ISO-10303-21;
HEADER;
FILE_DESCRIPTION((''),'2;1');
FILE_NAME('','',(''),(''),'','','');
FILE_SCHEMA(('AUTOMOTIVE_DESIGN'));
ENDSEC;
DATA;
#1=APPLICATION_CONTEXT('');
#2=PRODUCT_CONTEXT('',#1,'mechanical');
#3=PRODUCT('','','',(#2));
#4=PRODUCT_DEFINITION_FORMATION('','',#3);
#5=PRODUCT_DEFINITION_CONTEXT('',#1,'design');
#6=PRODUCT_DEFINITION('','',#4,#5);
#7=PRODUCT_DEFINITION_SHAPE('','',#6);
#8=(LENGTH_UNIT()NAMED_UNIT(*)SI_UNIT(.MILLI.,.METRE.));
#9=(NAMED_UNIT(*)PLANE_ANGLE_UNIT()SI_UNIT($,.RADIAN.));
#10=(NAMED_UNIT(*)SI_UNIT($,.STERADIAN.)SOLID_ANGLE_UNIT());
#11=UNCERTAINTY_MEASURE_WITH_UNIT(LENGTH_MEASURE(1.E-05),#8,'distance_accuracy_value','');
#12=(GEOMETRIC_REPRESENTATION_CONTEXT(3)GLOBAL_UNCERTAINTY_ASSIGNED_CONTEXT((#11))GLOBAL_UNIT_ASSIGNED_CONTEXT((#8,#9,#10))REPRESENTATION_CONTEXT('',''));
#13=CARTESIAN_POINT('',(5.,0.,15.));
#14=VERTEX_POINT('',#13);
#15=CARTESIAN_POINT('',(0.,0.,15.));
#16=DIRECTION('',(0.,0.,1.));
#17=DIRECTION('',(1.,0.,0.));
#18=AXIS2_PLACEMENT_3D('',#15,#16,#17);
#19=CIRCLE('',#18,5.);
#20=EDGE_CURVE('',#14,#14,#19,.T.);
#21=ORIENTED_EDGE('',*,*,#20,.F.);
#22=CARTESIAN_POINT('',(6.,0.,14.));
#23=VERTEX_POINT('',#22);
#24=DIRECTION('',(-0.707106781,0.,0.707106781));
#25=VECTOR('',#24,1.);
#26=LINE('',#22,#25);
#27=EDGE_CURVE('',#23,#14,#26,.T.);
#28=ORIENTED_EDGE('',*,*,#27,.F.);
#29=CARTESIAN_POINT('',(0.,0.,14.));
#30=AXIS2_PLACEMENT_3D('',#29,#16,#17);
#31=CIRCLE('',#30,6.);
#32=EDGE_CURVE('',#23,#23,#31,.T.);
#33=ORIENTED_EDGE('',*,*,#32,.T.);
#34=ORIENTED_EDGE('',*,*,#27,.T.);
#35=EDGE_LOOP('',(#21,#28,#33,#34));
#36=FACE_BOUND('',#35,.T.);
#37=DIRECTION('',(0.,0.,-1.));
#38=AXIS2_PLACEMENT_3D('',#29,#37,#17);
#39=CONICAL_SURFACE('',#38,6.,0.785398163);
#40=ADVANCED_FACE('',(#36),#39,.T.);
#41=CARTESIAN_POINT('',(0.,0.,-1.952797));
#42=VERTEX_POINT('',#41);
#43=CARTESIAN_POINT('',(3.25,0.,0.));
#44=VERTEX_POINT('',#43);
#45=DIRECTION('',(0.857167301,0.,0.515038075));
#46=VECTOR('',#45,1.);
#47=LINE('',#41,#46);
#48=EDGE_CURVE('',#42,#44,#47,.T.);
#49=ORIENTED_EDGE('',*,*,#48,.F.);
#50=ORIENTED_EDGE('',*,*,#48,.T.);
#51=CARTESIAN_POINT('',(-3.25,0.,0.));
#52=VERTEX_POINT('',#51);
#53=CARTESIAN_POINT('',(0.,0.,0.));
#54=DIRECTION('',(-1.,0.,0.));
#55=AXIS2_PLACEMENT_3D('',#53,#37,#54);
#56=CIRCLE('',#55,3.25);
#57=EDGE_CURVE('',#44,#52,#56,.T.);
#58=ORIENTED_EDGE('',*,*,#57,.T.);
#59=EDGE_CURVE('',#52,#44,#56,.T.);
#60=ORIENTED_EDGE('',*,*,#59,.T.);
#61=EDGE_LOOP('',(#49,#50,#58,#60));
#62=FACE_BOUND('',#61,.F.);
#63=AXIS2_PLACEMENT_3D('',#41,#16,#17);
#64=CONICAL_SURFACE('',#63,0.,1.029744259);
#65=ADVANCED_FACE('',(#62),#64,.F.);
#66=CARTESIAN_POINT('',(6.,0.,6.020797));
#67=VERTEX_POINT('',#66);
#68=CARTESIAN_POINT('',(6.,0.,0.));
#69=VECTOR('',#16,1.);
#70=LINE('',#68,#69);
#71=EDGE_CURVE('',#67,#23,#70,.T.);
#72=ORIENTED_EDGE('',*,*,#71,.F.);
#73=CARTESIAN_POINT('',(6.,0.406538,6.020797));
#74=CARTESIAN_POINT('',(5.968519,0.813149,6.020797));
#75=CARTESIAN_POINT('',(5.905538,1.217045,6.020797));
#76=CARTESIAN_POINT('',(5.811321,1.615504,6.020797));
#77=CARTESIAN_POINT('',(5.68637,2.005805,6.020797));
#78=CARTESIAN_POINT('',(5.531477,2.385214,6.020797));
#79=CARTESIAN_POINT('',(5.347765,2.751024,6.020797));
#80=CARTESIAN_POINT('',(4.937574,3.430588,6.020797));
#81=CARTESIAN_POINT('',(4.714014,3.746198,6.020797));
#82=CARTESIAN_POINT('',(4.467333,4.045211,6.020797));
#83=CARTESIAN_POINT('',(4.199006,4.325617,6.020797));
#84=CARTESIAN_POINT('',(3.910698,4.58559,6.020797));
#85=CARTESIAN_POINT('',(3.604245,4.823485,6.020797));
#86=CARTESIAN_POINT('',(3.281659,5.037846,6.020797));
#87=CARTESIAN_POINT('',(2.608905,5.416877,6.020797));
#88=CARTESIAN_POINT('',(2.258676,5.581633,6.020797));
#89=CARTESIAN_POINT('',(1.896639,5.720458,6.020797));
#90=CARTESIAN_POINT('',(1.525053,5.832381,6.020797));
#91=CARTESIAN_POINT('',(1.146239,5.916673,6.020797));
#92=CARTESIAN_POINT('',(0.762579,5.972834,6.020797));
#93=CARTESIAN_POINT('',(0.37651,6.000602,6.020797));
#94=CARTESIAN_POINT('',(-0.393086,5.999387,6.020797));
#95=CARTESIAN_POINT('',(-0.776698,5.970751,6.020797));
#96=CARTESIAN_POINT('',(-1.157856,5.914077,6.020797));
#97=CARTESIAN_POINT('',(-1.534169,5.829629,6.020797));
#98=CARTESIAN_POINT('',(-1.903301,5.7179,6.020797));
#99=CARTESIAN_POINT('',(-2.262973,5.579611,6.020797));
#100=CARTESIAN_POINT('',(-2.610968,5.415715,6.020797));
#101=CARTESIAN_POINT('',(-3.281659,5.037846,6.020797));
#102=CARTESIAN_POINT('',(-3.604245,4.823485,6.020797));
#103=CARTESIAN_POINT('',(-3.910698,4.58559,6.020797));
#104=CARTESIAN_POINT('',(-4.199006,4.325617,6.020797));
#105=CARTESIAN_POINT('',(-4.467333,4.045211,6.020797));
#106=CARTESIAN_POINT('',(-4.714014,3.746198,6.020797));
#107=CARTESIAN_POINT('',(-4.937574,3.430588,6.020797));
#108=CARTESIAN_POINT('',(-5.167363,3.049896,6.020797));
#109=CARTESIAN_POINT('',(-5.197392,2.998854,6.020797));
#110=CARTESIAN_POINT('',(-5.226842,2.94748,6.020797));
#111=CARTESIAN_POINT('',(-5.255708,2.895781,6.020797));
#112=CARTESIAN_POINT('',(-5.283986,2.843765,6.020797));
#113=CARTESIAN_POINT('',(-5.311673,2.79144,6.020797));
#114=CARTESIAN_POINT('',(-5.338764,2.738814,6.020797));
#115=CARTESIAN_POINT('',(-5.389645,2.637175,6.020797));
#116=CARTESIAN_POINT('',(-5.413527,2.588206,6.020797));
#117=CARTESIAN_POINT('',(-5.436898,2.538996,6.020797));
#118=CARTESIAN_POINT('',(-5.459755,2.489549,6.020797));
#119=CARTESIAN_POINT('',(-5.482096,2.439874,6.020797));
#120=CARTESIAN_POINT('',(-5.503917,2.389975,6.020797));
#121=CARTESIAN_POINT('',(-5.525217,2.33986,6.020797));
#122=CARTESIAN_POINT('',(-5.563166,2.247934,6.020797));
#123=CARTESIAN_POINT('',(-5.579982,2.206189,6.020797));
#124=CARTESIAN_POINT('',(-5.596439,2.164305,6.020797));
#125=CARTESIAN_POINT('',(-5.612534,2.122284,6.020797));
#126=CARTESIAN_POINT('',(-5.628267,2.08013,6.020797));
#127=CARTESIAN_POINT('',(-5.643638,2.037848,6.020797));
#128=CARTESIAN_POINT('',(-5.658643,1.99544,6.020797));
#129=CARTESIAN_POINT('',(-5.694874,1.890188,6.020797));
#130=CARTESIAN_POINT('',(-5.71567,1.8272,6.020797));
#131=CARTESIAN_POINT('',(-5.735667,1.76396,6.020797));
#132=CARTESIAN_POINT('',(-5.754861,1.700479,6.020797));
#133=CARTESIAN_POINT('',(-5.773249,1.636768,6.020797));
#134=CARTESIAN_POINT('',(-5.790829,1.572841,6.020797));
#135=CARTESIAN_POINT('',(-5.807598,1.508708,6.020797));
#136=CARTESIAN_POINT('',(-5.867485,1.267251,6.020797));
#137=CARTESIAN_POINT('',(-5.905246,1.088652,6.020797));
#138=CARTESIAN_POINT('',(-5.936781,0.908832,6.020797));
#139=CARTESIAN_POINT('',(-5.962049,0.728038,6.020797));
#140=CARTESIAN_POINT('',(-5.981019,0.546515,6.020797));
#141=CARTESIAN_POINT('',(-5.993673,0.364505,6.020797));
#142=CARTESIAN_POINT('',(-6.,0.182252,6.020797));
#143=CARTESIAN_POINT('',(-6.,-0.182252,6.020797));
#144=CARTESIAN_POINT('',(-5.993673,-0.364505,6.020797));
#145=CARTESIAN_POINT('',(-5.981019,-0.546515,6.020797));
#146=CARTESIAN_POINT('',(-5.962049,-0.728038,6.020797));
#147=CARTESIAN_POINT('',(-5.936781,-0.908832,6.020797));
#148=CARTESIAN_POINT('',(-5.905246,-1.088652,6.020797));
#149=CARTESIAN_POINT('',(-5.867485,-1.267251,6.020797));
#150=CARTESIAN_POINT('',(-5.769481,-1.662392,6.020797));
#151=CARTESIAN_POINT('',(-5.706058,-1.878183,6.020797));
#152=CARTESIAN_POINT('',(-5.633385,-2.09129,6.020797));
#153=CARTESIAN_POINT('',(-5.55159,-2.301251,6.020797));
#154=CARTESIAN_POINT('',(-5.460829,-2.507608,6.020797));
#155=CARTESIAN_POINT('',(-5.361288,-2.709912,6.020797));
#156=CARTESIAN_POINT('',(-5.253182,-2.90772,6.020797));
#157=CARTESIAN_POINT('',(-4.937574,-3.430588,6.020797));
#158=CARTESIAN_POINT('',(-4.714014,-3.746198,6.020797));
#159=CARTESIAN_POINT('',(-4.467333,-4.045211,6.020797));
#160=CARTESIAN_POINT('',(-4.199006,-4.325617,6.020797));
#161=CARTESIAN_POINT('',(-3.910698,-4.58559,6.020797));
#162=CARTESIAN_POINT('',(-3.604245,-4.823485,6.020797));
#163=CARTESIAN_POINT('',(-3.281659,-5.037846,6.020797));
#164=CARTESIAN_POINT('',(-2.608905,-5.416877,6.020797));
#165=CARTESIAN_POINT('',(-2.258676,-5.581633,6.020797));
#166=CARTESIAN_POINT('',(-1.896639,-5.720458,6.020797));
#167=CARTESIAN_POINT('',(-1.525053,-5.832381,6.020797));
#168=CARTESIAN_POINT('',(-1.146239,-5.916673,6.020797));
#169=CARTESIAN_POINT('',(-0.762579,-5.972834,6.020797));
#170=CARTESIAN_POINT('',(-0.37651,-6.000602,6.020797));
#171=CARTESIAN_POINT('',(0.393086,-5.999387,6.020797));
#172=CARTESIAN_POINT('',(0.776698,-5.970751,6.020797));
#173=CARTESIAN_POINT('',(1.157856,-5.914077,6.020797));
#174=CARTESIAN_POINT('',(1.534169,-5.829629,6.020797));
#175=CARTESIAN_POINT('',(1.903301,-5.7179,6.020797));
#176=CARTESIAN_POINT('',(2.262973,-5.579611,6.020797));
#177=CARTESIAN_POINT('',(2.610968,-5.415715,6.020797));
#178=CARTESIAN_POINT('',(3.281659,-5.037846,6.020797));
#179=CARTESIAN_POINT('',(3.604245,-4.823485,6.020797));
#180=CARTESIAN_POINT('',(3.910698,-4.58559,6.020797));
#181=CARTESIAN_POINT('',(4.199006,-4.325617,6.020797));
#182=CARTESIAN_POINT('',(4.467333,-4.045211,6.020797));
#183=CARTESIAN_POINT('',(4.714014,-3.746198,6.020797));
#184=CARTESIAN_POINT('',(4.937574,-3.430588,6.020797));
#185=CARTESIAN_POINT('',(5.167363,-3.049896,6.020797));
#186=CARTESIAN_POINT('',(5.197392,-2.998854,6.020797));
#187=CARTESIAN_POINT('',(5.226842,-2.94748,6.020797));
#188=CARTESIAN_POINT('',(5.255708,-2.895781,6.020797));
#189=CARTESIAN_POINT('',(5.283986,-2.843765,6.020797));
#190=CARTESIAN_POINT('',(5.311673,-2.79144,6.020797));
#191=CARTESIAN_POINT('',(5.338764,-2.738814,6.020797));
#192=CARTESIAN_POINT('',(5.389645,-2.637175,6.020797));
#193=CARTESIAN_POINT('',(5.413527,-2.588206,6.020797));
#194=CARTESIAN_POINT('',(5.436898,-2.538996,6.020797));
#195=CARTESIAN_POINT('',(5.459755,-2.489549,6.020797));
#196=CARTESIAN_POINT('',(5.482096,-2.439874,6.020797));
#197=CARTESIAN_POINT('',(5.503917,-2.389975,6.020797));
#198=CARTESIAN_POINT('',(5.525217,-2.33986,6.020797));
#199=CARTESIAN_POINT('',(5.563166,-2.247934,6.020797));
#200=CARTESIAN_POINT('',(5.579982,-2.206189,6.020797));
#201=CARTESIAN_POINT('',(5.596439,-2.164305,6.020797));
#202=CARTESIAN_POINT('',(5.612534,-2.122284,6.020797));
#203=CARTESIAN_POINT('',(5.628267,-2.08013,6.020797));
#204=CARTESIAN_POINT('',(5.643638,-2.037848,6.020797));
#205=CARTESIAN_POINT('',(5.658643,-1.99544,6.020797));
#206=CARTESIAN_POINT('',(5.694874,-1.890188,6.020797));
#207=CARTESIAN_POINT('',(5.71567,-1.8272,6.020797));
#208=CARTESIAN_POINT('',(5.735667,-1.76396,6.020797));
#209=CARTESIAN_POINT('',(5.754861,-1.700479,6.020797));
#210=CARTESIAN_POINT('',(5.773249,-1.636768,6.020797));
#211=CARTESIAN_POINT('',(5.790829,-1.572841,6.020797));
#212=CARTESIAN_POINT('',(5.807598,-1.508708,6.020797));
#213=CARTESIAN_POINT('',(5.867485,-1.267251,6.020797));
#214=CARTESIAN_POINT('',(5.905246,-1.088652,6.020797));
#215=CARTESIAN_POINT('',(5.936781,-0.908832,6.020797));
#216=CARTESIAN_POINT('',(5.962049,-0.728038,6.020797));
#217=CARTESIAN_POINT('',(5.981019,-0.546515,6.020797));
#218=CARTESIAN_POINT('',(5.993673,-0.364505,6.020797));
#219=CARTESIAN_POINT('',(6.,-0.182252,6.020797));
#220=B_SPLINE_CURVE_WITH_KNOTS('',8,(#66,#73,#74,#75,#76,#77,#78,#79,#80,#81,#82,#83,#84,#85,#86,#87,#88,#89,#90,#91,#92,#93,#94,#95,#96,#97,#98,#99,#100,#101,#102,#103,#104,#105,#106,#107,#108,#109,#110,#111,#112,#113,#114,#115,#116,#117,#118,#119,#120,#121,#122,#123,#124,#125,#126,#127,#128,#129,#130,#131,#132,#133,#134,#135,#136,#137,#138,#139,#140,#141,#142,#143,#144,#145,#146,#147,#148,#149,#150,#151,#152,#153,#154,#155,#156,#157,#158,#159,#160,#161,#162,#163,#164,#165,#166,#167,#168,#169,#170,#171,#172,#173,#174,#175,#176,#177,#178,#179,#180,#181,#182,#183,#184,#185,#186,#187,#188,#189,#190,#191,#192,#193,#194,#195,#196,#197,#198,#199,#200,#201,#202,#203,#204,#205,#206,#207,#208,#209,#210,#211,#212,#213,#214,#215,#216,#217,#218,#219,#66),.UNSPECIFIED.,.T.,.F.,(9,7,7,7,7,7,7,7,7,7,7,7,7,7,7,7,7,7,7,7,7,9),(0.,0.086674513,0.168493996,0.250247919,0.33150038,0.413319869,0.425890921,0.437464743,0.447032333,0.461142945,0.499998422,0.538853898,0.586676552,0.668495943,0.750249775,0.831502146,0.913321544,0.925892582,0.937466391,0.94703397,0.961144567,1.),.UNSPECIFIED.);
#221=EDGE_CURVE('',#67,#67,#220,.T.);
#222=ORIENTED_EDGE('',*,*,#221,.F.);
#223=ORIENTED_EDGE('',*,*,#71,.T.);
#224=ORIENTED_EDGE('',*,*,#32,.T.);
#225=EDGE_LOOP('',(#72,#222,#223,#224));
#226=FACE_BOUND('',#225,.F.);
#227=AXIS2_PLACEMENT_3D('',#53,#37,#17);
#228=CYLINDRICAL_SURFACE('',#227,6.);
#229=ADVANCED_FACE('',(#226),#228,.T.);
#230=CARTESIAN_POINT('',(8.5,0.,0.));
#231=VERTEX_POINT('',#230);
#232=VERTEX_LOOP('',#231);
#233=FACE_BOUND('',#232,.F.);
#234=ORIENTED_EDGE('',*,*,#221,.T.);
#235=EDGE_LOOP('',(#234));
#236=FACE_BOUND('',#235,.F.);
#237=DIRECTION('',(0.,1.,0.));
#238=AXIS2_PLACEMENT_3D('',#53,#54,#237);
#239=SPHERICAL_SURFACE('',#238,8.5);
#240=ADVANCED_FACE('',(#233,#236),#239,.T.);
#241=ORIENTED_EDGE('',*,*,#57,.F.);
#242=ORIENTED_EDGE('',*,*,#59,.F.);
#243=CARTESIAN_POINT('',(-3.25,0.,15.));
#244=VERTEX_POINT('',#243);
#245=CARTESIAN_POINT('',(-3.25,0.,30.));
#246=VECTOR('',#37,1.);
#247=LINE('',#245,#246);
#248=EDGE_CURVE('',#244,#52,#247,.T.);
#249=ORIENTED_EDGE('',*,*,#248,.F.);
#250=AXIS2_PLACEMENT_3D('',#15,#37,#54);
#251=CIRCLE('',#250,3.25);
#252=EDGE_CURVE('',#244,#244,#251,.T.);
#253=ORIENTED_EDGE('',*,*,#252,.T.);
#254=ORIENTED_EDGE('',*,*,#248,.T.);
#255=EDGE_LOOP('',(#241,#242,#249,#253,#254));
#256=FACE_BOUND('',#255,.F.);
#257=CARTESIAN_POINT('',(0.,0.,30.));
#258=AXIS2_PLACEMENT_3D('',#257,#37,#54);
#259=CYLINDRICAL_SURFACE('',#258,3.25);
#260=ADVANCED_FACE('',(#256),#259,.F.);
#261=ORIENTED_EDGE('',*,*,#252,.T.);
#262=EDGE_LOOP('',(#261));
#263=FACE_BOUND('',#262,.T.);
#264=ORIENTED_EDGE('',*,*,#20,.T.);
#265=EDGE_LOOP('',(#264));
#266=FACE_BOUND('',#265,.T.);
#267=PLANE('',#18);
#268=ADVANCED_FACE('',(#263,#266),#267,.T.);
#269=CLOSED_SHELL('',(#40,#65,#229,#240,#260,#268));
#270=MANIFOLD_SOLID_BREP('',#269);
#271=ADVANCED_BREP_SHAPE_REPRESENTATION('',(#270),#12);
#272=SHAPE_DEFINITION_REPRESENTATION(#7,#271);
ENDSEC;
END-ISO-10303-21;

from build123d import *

# Parameters (mm, degrees)
F0_R     = 6
F1_DEPTH = 15
F5_D     = 6.5
F5_DEPTH = 15
F5_TIP   = 1.9527970118
F6_SIZE  = 1


with BuildPart() as f1:
    # F0 (on Top) → F1 (new body)
    with BuildSketch(Plane.XY):
        Circle(F0_R)
    extrude(amount=F1_DEPTH)

    # F2 (on Top) → F3 (revolve)
    with BuildSketch(Plane.XY):
        with BuildLine():
            Line((-8.5, 0), (8.5, 0))
            ThreePointArc((8.5, 0), (0, 8.5), (-8.5, 0))
        make_face()
    revolve(axis=Axis((0, 0, 0), (1, 0, 0)))

    # F5
    with Locations(Plane.XY.offset(15)):
        with Locations((0, 0)):
            Hole(F5_D / 2, depth=F5_DEPTH)
            with Locations((0, 0, -(F5_DEPTH + F5_TIP / 2))):  # 118° drill point
                Cone(0, F5_D / 2, F5_TIP, mode=Mode.SUBTRACT)

    # F6
    f6_edges = [f1.edges().sort_by_distance(p)[0] for p in [
        (-6, 0, 15),
    ]]
    chamfer(f6_edges, length=F6_SIZE)


solid = f1.part
